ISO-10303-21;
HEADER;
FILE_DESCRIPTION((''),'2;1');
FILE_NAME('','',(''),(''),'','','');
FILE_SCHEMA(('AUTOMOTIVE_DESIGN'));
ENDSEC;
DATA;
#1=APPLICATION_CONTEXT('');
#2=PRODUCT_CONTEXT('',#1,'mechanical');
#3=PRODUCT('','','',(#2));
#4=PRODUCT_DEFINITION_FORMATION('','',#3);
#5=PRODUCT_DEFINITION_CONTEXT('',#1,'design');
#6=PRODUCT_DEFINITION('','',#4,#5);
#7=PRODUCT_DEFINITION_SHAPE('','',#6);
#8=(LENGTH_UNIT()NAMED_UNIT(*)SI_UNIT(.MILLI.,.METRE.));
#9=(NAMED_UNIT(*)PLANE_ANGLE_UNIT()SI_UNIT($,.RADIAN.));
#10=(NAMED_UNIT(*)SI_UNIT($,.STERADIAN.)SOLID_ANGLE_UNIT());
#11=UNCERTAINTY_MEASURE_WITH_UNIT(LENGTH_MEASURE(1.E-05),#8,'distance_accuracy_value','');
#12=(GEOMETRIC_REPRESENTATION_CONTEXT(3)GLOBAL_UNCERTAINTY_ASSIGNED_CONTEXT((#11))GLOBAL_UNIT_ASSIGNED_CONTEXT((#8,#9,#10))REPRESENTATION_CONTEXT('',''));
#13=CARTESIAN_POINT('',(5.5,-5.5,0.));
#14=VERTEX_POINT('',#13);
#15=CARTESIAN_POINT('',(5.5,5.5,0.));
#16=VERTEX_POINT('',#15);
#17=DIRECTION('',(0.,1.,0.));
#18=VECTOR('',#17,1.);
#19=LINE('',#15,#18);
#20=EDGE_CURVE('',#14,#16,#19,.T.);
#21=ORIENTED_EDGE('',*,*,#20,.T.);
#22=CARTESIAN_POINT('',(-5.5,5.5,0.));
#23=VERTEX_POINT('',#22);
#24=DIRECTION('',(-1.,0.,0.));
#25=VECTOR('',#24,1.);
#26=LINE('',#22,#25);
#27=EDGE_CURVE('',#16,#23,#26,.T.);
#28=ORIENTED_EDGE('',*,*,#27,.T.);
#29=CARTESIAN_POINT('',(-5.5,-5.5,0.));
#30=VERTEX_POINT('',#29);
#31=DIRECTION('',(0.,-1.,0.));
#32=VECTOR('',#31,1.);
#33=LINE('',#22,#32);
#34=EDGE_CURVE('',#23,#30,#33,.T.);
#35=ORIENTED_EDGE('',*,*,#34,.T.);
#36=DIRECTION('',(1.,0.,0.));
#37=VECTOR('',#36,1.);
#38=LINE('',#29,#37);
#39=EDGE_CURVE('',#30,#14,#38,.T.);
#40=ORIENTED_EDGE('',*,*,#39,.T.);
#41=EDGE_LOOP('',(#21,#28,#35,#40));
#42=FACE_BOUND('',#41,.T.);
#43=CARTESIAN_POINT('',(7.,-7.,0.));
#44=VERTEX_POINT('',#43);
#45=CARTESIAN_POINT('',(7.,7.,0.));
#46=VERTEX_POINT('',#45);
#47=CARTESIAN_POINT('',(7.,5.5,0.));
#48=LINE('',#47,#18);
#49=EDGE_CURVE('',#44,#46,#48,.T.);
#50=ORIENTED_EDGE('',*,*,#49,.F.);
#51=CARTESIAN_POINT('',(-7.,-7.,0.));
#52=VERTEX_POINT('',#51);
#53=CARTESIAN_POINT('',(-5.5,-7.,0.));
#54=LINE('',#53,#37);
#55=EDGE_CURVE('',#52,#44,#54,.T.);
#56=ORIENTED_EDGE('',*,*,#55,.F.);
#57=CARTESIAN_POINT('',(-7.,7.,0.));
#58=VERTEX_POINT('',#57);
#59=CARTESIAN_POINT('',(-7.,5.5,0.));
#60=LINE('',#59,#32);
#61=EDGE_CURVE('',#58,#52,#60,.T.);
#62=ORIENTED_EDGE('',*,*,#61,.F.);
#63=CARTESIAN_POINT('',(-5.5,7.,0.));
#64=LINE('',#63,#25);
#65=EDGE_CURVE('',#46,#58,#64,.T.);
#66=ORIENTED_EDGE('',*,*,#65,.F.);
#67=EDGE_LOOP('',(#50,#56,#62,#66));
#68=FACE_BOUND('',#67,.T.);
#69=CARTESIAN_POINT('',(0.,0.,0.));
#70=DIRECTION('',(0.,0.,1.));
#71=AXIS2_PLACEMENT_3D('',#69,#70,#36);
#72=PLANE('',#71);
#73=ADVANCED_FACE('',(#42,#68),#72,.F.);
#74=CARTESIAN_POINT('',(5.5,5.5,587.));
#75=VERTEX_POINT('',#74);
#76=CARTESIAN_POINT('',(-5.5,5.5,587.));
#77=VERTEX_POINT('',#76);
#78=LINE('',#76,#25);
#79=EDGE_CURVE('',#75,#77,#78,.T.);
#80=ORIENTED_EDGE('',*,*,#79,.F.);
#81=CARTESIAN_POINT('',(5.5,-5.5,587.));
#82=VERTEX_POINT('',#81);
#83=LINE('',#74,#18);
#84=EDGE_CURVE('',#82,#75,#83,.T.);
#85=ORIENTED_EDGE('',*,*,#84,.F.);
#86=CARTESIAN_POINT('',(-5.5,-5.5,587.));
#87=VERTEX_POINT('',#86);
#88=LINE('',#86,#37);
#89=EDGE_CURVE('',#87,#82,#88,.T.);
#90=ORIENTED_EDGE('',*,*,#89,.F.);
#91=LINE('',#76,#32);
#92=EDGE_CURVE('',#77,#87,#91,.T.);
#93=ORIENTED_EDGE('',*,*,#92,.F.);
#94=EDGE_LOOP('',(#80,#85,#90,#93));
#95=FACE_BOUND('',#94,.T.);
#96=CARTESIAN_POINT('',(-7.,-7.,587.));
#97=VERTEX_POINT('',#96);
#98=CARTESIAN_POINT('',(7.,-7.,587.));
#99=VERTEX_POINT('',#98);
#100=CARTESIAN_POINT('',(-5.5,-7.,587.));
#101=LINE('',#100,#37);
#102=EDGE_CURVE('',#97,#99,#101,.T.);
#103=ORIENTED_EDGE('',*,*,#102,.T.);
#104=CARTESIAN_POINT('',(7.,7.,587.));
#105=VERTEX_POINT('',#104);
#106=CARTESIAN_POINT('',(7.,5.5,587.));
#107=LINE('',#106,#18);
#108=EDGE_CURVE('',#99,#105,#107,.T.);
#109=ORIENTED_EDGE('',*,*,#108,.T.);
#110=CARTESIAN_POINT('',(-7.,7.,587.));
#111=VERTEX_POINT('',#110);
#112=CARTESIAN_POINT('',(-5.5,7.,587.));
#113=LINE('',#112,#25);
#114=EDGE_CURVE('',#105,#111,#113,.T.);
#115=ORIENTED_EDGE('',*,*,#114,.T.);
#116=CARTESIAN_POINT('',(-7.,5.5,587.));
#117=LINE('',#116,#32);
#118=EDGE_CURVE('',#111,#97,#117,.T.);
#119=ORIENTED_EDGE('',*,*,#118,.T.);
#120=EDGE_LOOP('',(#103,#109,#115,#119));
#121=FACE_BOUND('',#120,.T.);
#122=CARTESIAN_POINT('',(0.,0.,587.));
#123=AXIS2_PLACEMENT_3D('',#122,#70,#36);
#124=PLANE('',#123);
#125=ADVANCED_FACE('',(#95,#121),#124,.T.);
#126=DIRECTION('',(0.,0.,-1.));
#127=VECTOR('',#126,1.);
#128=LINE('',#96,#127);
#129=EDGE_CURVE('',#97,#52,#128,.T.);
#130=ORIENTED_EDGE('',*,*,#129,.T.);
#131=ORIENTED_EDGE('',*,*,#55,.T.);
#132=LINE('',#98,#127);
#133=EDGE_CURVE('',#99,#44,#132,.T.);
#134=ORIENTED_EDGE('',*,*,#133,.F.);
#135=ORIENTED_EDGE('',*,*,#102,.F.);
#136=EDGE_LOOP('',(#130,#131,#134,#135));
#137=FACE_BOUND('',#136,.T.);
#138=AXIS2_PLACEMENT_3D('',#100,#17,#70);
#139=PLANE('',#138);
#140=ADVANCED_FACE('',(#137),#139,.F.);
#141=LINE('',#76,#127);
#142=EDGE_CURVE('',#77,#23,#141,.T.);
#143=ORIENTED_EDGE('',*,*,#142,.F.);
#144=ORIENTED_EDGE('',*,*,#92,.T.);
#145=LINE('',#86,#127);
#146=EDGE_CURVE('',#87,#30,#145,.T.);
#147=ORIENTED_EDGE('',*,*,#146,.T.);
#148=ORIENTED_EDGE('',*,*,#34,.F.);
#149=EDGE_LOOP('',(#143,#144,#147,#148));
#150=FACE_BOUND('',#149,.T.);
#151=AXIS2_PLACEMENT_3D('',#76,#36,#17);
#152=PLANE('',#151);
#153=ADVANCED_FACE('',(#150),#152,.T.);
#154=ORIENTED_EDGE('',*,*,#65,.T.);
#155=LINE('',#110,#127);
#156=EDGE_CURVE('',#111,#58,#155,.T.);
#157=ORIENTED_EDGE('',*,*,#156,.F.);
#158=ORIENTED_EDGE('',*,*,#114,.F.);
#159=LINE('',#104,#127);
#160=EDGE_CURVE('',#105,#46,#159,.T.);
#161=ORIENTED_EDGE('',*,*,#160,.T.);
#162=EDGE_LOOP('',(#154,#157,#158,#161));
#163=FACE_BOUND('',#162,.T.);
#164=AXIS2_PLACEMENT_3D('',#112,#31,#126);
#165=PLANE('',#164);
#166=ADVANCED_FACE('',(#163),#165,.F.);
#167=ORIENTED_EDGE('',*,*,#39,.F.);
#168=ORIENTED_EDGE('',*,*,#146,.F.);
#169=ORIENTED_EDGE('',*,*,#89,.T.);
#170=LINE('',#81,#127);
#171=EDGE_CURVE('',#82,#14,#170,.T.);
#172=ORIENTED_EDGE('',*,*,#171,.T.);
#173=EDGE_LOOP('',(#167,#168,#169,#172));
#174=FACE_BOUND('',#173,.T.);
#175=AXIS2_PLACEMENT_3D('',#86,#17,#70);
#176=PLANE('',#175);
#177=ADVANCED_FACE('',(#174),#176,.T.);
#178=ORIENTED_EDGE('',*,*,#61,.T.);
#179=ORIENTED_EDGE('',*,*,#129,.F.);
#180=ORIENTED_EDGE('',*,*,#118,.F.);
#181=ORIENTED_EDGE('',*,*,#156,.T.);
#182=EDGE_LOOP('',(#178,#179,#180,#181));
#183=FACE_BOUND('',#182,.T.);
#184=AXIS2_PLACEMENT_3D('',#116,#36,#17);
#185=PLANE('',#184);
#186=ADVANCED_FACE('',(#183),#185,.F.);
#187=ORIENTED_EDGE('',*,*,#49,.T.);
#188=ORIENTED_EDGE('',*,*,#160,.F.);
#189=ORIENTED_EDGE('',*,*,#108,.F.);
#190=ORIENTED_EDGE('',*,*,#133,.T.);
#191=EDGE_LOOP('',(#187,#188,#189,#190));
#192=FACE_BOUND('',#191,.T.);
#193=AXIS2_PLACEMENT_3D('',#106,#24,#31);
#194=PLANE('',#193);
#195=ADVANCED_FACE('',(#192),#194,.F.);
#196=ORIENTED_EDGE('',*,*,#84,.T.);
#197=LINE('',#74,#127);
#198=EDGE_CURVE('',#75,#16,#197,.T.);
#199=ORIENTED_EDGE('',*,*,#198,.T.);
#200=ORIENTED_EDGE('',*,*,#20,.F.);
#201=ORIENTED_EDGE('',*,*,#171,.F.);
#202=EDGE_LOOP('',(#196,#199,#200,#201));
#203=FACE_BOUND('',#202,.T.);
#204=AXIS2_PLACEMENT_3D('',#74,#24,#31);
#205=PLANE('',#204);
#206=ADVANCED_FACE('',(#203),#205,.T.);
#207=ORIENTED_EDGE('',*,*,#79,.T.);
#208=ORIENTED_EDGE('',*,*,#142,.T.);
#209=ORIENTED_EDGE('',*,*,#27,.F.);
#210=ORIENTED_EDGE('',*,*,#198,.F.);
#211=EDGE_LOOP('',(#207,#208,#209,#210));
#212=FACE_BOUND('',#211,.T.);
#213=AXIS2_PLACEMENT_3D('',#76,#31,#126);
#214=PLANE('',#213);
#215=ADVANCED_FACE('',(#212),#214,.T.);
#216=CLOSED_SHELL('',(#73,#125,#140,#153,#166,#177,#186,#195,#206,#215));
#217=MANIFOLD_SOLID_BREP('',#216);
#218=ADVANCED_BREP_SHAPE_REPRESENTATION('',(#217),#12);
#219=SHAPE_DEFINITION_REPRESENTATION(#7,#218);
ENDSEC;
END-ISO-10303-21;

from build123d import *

# Parameters (mm, degrees)
SKETCH_1_W      = 14
SKETCH_1_H      = 14
SKETCH_1_W_2    = 11
SKETCH_1_H_2    = 11
EXTRUDE_1_DEPTH = 587


with BuildPart() as part:
    # 草图1 → 拉伸-薄壁1 (new body)
    with BuildSketch(Plane.XY):
        Rectangle(SKETCH_1_W, SKETCH_1_H)
        Rectangle(SKETCH_1_W_2, SKETCH_1_H_2, mode=Mode.SUBTRACT)
    extrude(amount=EXTRUDE_1_DEPTH)


solid = part.part
